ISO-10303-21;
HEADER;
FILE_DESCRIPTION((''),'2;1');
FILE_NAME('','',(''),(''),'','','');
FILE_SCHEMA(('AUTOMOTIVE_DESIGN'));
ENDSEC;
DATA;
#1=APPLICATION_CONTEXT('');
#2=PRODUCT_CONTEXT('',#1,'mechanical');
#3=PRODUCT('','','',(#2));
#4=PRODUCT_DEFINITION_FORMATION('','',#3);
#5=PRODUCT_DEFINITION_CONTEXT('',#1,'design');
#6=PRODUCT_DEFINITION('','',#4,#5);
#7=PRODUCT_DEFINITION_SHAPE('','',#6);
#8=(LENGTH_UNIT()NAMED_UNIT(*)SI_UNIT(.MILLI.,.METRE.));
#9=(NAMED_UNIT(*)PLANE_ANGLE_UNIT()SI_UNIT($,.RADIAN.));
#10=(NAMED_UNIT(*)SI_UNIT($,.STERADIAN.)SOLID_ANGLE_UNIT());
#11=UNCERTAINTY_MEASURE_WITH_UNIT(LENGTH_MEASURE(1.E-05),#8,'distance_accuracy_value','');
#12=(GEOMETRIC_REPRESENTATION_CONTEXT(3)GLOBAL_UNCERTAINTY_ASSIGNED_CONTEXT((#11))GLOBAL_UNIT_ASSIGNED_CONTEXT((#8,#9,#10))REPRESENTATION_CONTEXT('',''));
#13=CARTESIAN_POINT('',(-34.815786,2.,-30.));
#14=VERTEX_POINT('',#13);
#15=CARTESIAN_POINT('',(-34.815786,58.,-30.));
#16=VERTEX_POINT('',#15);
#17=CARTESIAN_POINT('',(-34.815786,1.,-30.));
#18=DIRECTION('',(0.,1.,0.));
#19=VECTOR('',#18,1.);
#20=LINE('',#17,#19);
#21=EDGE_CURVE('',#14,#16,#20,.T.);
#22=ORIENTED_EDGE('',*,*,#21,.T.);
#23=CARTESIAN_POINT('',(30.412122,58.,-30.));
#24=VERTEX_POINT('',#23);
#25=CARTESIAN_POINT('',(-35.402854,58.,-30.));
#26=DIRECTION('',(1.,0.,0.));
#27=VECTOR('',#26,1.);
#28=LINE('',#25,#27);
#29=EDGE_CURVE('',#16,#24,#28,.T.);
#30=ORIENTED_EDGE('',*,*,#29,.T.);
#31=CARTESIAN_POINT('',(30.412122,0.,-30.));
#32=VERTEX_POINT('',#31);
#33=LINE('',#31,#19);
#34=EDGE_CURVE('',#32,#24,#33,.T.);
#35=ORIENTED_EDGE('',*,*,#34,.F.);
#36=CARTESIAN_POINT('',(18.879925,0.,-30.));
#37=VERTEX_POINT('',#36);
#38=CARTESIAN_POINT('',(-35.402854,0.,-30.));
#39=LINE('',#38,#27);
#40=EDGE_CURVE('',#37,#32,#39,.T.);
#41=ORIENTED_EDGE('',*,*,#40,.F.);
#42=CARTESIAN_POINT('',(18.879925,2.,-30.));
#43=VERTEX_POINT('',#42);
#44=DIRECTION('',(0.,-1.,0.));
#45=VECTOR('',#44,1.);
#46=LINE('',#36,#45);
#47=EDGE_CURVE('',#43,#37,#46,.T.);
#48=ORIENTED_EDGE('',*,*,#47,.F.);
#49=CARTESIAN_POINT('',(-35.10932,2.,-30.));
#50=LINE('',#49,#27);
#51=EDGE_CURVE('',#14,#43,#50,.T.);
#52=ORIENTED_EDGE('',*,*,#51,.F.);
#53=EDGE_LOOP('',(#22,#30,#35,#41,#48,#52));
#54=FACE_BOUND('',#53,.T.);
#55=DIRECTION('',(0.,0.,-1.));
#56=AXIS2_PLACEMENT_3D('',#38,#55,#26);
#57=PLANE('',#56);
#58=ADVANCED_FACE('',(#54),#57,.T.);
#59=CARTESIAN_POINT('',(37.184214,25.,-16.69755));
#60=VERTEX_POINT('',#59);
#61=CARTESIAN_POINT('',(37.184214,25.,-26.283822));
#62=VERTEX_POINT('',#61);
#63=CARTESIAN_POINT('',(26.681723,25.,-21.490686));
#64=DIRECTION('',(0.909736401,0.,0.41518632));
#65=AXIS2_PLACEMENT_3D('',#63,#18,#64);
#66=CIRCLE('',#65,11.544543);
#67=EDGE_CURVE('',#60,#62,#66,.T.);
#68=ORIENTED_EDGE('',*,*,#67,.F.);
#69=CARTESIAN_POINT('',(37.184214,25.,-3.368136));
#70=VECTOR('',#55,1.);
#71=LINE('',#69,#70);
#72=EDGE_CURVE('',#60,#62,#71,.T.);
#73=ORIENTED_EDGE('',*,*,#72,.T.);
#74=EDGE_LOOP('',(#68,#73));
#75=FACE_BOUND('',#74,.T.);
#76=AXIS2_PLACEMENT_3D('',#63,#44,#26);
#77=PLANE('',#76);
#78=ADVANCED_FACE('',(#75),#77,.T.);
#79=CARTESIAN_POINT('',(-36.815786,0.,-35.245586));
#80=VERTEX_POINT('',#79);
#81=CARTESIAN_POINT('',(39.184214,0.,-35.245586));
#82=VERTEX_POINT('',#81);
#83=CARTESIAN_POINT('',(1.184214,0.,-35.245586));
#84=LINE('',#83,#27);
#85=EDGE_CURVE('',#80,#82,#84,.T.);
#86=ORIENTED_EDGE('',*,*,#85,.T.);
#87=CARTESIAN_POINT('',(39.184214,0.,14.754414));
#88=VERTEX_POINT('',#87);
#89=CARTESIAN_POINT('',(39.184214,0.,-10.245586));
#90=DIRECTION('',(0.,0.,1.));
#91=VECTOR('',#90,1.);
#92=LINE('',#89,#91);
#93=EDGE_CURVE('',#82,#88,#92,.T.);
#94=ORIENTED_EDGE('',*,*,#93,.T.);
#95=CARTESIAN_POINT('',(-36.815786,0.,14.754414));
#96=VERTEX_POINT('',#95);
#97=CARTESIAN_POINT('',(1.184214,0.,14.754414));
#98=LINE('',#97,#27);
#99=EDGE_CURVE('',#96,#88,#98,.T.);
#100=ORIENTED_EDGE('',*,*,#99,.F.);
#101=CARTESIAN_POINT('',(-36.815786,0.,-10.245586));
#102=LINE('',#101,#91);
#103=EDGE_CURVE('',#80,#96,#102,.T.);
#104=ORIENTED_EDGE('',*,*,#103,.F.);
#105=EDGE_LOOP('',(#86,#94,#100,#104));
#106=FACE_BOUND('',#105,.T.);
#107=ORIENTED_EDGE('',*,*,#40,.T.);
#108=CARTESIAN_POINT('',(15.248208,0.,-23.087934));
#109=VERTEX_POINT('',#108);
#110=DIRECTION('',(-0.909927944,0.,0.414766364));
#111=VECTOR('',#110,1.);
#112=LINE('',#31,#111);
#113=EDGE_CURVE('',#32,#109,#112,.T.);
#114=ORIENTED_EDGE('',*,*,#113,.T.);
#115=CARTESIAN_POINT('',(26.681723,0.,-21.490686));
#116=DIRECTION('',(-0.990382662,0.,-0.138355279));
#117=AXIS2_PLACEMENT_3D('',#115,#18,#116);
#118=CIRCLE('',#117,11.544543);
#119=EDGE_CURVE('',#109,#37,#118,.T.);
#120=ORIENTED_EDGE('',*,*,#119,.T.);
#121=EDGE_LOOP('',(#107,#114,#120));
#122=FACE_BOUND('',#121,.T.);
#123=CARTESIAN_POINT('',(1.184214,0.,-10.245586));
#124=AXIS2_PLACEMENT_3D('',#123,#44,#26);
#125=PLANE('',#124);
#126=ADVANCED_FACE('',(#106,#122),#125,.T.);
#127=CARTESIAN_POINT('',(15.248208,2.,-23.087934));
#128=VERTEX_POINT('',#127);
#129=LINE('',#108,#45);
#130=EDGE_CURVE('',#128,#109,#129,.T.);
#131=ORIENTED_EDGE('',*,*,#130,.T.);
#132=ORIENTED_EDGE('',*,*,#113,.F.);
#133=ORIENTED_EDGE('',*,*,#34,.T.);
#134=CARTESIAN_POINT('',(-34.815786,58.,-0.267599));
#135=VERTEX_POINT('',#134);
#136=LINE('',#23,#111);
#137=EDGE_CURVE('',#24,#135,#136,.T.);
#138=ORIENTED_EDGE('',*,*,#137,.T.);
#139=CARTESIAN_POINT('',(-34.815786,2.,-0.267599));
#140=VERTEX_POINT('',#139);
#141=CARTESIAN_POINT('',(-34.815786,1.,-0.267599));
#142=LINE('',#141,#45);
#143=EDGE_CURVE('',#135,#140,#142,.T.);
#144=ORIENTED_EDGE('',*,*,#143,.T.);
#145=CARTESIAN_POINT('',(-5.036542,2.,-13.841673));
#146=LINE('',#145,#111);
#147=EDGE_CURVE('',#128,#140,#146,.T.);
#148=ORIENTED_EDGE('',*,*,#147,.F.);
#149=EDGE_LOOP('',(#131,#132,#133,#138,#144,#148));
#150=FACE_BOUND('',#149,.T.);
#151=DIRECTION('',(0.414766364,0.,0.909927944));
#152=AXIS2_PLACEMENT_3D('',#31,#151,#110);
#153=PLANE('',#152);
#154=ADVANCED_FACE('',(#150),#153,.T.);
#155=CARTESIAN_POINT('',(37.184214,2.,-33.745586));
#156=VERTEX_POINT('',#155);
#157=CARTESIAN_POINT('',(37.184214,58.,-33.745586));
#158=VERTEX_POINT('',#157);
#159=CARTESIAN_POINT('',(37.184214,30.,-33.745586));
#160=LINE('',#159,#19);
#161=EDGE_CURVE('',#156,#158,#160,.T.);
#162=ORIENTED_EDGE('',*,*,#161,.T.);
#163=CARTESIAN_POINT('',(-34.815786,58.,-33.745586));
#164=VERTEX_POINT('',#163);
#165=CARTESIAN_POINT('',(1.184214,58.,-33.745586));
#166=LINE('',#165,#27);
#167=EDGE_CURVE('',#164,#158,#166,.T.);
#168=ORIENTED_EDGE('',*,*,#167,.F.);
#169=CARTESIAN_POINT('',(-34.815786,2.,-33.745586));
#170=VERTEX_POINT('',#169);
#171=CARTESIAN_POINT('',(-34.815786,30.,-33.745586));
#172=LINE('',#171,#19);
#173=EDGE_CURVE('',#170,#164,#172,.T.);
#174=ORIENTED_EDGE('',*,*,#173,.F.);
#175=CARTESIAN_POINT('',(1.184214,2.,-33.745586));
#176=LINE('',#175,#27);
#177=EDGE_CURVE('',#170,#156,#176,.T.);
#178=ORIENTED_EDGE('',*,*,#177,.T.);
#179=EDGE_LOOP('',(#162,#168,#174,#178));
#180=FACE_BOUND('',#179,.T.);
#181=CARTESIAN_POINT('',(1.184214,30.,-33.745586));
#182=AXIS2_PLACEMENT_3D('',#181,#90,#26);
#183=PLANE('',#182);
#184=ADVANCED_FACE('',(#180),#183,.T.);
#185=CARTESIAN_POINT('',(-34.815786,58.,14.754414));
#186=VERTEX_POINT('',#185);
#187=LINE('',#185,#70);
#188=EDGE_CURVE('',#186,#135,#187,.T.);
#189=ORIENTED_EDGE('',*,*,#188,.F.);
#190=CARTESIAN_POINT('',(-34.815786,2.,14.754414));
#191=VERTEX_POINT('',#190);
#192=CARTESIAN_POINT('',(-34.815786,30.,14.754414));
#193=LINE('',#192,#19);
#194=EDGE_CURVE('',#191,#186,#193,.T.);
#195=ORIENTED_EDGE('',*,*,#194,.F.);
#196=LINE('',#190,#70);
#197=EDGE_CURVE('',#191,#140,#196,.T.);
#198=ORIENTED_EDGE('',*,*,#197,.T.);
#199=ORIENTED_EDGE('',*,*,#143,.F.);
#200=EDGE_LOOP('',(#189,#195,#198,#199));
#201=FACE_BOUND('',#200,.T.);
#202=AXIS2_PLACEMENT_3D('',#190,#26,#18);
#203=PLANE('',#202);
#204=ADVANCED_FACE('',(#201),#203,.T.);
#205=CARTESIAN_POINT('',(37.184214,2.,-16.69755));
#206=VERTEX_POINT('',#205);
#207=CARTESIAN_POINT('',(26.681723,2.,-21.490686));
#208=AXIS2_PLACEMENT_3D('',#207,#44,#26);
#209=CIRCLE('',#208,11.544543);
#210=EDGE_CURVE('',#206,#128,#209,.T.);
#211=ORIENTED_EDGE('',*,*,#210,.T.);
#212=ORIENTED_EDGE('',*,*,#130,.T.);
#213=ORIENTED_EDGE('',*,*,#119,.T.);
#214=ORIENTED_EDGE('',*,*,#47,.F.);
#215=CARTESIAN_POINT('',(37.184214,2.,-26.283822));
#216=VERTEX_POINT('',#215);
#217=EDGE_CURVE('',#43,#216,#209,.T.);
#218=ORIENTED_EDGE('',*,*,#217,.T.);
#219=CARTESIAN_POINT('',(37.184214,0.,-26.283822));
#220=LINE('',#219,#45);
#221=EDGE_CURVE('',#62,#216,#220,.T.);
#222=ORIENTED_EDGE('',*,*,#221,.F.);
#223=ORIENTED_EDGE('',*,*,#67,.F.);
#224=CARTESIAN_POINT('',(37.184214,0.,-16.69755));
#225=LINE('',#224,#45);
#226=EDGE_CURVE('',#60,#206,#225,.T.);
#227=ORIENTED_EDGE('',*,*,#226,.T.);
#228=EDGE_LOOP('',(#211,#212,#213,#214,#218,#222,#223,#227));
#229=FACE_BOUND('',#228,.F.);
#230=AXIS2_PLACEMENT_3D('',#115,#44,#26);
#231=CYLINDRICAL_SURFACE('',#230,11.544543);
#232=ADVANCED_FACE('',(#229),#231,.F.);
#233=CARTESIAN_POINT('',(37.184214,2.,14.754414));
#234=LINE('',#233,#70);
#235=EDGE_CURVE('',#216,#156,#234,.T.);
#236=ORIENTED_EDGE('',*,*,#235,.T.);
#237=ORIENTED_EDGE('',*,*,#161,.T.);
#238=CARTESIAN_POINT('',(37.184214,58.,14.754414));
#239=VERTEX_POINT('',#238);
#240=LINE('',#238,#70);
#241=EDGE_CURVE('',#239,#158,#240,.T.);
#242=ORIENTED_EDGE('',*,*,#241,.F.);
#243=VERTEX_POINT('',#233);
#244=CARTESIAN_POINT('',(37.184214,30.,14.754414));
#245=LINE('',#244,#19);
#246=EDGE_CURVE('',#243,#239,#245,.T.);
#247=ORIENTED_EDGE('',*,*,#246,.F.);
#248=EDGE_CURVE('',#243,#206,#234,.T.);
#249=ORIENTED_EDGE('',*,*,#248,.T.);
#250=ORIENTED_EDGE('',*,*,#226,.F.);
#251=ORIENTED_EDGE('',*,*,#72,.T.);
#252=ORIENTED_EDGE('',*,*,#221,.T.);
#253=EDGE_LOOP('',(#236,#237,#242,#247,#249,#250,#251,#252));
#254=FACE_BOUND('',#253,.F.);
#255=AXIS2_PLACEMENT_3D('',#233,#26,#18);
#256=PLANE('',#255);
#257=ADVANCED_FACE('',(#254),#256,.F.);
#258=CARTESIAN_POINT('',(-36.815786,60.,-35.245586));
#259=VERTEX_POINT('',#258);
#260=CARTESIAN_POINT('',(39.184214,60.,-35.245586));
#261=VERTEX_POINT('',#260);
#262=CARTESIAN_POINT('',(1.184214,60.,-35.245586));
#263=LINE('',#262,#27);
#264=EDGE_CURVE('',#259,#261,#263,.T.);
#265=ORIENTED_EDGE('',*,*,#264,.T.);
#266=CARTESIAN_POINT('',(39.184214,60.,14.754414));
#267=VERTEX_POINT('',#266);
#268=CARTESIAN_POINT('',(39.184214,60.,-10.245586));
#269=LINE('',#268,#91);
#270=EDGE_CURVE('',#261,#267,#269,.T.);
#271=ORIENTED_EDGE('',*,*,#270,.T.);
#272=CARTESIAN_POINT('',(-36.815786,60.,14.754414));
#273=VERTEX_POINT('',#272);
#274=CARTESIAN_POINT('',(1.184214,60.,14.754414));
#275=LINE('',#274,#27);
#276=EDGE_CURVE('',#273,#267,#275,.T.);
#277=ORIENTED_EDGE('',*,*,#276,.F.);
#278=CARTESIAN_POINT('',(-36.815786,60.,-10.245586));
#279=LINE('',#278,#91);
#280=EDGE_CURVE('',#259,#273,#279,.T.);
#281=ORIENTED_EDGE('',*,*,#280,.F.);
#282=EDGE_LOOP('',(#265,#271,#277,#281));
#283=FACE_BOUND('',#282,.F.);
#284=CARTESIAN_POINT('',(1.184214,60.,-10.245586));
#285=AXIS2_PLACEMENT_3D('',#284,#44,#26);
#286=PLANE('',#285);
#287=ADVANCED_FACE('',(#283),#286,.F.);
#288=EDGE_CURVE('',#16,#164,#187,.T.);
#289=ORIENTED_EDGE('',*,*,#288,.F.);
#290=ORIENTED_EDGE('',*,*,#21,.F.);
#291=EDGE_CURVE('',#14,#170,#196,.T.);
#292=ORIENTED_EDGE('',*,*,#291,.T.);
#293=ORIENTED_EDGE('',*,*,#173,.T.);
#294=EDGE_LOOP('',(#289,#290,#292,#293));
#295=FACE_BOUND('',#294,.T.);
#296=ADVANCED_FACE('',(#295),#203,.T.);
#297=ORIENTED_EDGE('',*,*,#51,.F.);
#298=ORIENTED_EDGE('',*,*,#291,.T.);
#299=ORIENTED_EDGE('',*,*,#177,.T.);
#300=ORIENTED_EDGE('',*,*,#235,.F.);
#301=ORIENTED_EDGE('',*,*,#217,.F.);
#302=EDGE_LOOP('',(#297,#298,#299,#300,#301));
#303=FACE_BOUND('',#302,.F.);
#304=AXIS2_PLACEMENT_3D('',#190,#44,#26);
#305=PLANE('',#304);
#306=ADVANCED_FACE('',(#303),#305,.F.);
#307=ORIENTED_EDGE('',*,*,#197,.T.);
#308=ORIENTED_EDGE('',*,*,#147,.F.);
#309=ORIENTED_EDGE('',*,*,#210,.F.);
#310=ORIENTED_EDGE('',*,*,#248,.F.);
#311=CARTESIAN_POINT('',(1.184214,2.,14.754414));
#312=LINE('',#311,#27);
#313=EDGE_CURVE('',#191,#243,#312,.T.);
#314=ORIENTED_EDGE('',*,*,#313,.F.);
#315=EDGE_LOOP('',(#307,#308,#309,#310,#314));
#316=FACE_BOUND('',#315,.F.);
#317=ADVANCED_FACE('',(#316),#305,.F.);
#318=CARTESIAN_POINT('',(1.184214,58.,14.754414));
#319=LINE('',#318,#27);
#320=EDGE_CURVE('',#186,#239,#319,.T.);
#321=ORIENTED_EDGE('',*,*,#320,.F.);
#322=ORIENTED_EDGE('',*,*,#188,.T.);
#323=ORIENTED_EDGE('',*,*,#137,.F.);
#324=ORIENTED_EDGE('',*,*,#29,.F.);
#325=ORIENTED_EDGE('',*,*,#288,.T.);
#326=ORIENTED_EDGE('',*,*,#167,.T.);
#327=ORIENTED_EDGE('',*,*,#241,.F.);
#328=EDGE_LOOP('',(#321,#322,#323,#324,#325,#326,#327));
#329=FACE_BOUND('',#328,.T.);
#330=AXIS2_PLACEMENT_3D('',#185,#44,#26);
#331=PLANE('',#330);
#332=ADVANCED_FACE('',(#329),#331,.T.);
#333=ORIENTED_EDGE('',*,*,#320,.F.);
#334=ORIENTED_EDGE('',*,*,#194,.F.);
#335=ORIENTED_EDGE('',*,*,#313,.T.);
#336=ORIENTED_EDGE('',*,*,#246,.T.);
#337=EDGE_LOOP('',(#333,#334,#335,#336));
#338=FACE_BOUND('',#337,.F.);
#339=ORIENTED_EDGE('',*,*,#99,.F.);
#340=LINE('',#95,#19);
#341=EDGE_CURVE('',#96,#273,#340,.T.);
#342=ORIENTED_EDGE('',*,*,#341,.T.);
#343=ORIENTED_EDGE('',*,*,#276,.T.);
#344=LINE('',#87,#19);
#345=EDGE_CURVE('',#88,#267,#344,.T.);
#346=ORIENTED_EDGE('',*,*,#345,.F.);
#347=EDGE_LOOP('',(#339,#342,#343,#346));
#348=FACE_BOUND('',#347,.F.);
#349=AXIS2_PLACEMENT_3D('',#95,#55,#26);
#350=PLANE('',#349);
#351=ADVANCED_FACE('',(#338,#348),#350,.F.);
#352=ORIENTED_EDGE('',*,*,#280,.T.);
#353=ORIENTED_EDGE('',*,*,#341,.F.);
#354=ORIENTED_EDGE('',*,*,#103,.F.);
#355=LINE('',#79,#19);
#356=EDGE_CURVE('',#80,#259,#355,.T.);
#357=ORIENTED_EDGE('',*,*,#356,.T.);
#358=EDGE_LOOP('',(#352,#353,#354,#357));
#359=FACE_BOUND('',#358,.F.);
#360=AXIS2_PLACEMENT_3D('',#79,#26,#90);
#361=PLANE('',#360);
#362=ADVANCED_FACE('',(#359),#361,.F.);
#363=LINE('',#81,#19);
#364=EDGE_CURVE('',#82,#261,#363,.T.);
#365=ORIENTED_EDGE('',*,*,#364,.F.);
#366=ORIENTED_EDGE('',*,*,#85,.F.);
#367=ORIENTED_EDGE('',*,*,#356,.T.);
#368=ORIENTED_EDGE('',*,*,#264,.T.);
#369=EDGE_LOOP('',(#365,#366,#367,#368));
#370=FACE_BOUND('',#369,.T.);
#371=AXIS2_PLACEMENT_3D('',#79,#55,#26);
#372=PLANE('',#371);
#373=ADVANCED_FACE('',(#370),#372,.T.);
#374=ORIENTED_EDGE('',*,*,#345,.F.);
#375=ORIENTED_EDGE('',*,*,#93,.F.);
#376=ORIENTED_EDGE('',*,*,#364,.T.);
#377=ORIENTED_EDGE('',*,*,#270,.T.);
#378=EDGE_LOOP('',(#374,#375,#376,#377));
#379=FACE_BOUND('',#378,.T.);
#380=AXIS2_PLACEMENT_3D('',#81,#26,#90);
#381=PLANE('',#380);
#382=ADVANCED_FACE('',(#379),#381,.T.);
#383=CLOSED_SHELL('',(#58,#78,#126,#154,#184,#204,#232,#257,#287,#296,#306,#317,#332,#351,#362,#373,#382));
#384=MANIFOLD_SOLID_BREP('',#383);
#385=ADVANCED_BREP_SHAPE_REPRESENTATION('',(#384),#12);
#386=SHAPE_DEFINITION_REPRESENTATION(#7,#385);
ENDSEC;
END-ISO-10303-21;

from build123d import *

# Parameters (mm, degrees)
F0_W     = 76
F0_H     = 50
F1_DEPTH = 60
F2_W     = 72
F2_H     = 56
F3_DEPTH = 48.5
F4_R     = 11.544543
F5_DEPTH = 25
F7_DEPTH = 58


with BuildPart() as f1:
    # F0 (on Front) → F1 (new body)
    with BuildSketch(Plane.XZ):
        with Locations((1.184214, -10.245586)):
            Rectangle(F0_W, F0_H)
    extrude(amount=-F1_DEPTH)

    # F2 (on face) → F3 (cut)
    with BuildSketch(Plane.XY.offset(14.754414)):
        with Locations((1.184214, 30)):
            Rectangle(F2_W, F2_H)
    extrude(amount=-F3_DEPTH, mode=Mode.SUBTRACT)

    # F4 (on face) → F5 (cut)
    with BuildSketch(Plane.XZ):
        with Locations((26.681723, -21.490686)):
            Circle(F4_R)
    extrude(amount=-F5_DEPTH, mode=Mode.SUBTRACT)

    # F6 (on Front) → F7 (join)
    with BuildSketch(Plane.XZ):
        Polygon((-35.402854, 0), (-35.402854, -30), (30.412122, -30), align=None)
    extrude(amount=-F7_DEPTH)


solid = f1.part
